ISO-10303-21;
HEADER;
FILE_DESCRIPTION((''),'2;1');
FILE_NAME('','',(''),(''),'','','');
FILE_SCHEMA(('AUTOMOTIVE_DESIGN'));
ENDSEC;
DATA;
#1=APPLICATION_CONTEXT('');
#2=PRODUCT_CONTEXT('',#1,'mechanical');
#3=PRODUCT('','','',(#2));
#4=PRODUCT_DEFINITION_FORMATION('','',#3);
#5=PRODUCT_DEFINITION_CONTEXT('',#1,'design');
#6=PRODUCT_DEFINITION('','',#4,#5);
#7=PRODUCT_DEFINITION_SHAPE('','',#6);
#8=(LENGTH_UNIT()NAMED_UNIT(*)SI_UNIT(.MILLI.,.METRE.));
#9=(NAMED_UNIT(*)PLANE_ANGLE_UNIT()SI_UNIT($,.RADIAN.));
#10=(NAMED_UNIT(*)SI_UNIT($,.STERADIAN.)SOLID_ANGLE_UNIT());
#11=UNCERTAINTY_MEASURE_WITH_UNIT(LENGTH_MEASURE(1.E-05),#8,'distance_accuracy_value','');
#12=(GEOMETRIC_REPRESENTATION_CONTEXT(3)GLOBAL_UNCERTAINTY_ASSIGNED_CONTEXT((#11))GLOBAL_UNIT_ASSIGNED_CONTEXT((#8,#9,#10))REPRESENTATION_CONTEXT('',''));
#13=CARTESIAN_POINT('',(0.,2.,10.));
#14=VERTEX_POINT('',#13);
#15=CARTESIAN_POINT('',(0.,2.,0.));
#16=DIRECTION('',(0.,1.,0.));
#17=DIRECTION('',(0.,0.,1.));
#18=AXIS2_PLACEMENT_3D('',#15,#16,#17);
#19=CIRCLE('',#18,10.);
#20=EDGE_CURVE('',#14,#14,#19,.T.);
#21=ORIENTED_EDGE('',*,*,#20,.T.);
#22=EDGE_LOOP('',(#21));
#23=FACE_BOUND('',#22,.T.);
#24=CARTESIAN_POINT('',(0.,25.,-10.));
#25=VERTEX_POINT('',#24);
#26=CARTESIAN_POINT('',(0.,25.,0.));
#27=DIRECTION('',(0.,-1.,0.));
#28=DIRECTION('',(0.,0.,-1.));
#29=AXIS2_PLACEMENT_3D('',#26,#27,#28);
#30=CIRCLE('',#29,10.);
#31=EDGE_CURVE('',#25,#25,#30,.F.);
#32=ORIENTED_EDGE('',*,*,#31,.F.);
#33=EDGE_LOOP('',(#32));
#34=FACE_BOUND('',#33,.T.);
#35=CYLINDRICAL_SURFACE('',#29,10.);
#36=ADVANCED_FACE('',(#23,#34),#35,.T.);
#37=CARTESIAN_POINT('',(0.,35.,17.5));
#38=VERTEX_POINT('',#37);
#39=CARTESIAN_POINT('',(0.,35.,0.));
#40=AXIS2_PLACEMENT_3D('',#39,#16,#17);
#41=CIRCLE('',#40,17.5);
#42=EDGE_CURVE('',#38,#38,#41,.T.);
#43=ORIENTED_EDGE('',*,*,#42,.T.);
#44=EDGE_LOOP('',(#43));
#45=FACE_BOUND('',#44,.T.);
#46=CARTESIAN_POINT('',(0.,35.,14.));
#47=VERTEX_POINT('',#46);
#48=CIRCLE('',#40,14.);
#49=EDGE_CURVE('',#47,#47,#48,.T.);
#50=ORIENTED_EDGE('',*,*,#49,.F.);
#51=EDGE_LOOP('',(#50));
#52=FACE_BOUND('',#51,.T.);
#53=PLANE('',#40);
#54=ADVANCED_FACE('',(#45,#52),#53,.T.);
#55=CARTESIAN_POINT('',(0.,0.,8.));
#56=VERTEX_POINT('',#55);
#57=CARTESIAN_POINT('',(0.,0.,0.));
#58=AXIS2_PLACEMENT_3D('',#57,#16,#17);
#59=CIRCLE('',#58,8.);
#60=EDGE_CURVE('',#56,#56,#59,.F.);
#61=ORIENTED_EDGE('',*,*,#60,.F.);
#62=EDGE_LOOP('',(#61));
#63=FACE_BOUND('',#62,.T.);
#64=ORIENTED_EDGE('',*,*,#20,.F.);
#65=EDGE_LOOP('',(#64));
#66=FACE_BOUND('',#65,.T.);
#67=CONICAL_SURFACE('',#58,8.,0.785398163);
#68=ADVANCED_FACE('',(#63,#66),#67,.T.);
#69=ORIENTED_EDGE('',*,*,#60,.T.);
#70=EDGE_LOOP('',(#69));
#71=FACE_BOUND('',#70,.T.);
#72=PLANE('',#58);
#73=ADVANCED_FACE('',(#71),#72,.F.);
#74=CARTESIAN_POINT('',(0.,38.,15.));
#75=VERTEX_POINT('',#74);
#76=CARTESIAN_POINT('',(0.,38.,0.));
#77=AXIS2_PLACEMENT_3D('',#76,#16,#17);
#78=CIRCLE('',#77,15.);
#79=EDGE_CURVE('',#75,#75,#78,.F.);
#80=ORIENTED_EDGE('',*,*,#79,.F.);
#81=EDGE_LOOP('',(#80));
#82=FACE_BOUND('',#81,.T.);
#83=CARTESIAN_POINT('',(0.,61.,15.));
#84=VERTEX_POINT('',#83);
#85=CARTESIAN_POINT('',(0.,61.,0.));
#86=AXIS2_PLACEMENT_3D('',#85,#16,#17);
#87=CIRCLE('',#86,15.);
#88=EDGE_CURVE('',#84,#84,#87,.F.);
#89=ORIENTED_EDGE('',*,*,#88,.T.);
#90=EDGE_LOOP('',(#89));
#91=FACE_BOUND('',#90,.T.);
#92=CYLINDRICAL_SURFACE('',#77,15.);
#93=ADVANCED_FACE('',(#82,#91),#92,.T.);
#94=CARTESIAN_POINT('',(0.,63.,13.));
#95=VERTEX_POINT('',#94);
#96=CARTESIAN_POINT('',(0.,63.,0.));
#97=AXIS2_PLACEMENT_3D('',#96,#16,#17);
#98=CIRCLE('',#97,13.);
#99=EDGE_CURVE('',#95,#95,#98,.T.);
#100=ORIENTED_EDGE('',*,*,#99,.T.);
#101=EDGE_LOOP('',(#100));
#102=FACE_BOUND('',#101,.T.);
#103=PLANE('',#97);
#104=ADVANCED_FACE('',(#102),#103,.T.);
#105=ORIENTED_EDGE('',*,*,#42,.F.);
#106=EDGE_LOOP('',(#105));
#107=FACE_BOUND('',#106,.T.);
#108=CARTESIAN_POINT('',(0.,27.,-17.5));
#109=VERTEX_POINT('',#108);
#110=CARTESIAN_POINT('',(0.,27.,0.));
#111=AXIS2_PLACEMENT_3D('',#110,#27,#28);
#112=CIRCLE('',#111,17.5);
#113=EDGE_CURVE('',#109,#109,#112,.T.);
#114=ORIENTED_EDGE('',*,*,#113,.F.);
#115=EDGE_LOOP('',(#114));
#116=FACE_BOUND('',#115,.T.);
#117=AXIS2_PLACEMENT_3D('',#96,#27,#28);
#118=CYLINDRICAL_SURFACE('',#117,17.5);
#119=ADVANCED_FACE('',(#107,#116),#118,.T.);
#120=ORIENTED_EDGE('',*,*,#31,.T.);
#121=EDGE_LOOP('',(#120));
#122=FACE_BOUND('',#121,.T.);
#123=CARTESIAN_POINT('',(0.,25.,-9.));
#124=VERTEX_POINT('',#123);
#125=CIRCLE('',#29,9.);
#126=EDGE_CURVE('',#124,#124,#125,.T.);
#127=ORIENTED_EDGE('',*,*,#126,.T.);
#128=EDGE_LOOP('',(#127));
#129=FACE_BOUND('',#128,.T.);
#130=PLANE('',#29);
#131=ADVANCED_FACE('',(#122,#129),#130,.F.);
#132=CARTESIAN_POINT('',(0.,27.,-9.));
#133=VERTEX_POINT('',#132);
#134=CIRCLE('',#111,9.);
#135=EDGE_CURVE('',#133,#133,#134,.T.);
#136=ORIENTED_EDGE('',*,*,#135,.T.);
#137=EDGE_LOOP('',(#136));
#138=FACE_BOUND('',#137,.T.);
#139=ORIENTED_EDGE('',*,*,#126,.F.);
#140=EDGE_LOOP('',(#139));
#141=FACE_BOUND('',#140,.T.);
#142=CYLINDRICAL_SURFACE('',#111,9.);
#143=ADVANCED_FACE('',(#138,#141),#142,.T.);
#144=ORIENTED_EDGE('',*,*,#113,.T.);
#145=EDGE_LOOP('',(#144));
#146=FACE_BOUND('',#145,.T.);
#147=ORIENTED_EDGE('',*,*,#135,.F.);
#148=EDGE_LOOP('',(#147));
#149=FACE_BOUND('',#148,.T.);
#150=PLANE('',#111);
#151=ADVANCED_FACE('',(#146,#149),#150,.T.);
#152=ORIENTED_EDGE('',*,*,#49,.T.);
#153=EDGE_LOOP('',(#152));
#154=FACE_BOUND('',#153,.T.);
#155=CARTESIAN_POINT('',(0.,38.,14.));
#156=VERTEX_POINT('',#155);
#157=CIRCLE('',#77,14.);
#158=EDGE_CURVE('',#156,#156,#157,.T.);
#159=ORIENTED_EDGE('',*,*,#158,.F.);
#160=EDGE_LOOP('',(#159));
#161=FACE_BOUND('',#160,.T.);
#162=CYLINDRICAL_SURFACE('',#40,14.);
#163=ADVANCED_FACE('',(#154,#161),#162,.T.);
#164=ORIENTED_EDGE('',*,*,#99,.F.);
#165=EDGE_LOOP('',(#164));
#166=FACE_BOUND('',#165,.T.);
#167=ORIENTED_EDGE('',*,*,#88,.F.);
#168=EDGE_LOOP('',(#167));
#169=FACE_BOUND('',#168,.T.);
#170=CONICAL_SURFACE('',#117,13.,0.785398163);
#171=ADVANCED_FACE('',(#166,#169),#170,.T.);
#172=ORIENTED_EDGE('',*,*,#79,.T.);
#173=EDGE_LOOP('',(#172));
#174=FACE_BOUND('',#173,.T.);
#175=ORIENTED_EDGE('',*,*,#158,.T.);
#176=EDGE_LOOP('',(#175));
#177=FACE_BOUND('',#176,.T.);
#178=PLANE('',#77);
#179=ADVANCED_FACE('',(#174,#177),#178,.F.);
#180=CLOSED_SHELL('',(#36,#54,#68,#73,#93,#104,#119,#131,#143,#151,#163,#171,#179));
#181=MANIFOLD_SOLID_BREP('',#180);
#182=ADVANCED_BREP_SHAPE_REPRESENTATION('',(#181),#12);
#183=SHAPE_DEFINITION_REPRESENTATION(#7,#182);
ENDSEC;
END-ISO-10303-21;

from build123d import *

# Parameters (mm, degrees)
SKETCH_1_R          = 17.5
EXTRUDE_1_DEPTH     = 63
SKETCH_2_OUTSIDE_W  = 53.024
SKETCH_2_OUTSIDE_H  = 53.024
SKETCH_2_OUTSIDE_R  = 15
CUT_EXTRUDE_1_DEPTH = 25
SKETCH_3_OUTSIDE_W  = 53.024
SKETCH_3_OUTSIDE_H  = 53.024
SKETCH_3_OUTSIDE_R  = 14
CUT_EXTRUDE_2_DEPTH = 3
SKETCH_4_OUTSIDE_W  = 53.024
SKETCH_4_OUTSIDE_H  = 53.024
SKETCH_4_OUTSIDE_R  = 10
CUT_EXTRUDE_3_DEPTH = 25
SKETCH_5_OUTSIDE_W  = 53.024
SKETCH_5_OUTSIDE_H  = 53.024
SKETCH_5_OUTSIDE_R  = 9
CUT_EXTRUDE_4_DEPTH = 2
CHAMFER_1_SIZE      = 2


with BuildPart() as part:
    # 草图1 → 凸台-拉伸1 (new body)
    with BuildSketch(Plane(origin=(0, 0, 0), x_dir=(1, 0, 0), z_dir=(0, 1, 0))):
        Circle(SKETCH_1_R)
    extrude(amount=EXTRUDE_1_DEPTH)

    # 草图2 outside → 切除-拉伸1 (cut)
    with BuildSketch(Plane(origin=(0, 63, 0), x_dir=(1, 0, 0), z_dir=(0, 1, 0))):
        Rectangle(SKETCH_2_OUTSIDE_W, SKETCH_2_OUTSIDE_H)
        Circle(SKETCH_2_OUTSIDE_R, mode=Mode.SUBTRACT)
    extrude(amount=-CUT_EXTRUDE_1_DEPTH, mode=Mode.SUBTRACT)

    # 草图3 outside → 切除-拉伸2 (cut)
    with BuildSketch(Plane(origin=(0, 38, 0), x_dir=(1, 0, 0), z_dir=(0, 1, 0))):
        Rectangle(SKETCH_3_OUTSIDE_W, SKETCH_3_OUTSIDE_H)
        Circle(SKETCH_3_OUTSIDE_R, mode=Mode.SUBTRACT)
    extrude(amount=-CUT_EXTRUDE_2_DEPTH, mode=Mode.SUBTRACT)

    # 草图4 outside → 切除-拉伸3 (cut)
    with BuildSketch(Plane.XZ):
        Rectangle(SKETCH_4_OUTSIDE_W, SKETCH_4_OUTSIDE_H)
        Circle(SKETCH_4_OUTSIDE_R, mode=Mode.SUBTRACT)
    extrude(amount=-CUT_EXTRUDE_3_DEPTH, mode=Mode.SUBTRACT)

    # 草图5 outside → 切除-拉伸4 (cut)
    with BuildSketch(Plane.XZ.offset(-25)):
        Rectangle(SKETCH_5_OUTSIDE_W, SKETCH_5_OUTSIDE_H)
        Circle(SKETCH_5_OUTSIDE_R, mode=Mode.SUBTRACT)
    extrude(amount=-CUT_EXTRUDE_4_DEPTH, mode=Mode.SUBTRACT)

    # 倒角1
    chamfer_1_edges = [part.edges().sort_by_distance(p)[0] for p in [
        (-15, 63, 0),
        (-10, 0, 0),
    ]]
    chamfer(chamfer_1_edges, length=CHAMFER_1_SIZE)


solid = part.part
